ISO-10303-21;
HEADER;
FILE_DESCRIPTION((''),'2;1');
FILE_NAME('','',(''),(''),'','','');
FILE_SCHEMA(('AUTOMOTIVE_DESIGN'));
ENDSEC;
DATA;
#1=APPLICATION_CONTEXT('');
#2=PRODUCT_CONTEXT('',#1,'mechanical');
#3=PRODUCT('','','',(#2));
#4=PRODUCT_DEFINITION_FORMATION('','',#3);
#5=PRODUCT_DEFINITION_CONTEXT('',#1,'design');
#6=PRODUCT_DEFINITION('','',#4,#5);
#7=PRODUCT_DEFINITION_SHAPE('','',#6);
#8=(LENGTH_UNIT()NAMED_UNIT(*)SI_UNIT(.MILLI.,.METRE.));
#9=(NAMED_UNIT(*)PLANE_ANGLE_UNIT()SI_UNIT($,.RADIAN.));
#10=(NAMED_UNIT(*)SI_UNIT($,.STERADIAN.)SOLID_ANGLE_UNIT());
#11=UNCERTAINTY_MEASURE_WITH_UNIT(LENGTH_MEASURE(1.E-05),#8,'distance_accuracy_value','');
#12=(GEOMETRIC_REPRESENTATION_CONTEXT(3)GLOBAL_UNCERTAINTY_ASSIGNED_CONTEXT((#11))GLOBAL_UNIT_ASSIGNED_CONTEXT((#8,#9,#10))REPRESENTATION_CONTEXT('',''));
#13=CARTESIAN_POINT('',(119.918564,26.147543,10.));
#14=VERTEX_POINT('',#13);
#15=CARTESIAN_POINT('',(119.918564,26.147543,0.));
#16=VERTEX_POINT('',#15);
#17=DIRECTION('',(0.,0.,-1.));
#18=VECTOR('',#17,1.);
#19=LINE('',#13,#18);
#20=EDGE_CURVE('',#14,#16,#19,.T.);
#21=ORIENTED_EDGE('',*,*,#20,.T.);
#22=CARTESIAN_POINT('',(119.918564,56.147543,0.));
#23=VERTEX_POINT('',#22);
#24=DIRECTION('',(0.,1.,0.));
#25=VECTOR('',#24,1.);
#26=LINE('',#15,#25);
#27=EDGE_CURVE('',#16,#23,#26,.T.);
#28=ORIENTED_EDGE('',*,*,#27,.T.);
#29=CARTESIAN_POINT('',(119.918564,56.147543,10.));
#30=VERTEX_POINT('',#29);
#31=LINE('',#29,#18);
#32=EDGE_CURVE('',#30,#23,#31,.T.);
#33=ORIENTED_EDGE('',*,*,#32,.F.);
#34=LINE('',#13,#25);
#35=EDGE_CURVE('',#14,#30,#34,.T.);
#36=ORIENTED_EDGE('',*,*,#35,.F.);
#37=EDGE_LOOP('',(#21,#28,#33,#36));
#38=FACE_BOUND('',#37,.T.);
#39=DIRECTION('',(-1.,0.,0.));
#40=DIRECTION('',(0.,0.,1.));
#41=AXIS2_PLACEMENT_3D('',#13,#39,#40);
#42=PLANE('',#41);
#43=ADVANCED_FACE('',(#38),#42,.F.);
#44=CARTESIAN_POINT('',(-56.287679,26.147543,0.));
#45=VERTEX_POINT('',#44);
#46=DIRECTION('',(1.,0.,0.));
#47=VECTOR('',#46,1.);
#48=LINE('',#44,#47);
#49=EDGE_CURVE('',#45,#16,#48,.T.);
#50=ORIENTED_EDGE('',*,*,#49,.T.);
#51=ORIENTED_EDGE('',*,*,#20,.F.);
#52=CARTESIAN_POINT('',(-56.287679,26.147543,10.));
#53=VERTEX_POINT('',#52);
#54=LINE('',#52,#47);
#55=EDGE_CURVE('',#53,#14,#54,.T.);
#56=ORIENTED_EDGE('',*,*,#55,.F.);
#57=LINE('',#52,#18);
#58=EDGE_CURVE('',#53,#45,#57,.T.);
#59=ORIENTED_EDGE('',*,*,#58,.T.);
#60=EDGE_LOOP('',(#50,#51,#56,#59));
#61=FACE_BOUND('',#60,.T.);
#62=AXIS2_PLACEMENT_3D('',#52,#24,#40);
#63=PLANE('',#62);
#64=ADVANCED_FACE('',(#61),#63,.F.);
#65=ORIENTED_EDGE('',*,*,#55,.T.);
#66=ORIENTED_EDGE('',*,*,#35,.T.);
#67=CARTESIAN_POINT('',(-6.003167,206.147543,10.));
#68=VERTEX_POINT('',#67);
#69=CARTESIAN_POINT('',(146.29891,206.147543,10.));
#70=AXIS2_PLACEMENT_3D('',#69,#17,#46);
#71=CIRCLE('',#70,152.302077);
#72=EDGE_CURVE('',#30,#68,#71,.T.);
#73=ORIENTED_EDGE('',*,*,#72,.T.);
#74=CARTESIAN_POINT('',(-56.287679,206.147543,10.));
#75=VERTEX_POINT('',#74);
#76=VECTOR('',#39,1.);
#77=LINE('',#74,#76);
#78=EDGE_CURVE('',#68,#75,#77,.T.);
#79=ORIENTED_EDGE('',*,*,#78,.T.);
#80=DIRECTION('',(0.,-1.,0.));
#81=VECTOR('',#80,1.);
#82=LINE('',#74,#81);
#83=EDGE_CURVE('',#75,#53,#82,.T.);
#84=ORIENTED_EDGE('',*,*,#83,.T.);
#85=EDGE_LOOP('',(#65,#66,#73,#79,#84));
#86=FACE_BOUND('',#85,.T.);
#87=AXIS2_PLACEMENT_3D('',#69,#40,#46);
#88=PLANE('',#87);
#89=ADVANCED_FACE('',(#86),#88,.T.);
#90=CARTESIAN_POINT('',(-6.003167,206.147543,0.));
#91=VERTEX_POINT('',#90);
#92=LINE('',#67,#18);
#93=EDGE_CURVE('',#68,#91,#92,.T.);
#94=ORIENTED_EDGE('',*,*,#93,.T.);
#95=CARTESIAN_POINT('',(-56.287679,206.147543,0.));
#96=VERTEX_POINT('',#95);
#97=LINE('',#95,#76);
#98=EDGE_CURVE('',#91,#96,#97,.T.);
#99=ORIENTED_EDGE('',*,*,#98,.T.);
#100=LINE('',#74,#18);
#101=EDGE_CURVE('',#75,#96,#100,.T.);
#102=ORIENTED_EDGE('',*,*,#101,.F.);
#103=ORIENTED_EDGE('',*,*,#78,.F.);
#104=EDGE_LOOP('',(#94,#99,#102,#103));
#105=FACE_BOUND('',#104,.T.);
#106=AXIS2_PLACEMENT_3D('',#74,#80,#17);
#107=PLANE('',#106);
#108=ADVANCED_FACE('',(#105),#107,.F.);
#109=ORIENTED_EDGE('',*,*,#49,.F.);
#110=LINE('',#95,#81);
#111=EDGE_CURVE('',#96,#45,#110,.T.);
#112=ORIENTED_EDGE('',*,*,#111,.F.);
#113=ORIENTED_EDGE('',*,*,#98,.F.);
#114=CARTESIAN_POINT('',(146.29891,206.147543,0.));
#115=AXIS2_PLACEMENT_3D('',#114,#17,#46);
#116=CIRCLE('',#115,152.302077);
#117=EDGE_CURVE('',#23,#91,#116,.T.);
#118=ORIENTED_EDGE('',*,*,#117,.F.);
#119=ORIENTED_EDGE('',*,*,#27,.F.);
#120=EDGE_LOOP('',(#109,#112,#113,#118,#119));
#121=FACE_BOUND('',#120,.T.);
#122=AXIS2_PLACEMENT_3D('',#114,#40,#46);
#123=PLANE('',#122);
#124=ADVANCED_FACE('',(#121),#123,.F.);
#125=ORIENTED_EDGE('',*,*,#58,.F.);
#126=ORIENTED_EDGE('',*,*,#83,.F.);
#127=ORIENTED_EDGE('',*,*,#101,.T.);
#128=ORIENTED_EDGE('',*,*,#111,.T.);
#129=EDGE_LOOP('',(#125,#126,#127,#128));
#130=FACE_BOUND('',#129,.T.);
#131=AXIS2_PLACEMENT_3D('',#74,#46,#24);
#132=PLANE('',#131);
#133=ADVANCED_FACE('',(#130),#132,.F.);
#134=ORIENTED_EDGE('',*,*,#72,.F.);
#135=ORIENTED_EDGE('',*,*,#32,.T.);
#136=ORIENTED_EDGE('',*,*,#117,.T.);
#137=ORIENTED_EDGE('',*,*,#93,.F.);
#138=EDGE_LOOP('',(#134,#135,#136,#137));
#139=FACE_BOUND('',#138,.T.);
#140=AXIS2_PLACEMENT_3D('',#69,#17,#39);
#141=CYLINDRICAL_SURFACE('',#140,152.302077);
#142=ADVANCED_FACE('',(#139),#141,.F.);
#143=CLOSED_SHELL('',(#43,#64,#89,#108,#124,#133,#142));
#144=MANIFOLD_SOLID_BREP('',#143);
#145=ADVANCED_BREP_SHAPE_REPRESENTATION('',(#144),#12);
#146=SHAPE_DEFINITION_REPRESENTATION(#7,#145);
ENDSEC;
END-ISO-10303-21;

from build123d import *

# Parameters (mm, degrees)
SALIENTE_EXTRUIR1_DEPTH = 10


with BuildPart() as part:
    # Croquis1 → Saliente-Extruir1 (new body)
    with BuildSketch(Plane.XY):
        with BuildLine():
            Line((-56.28767918, 206.147542534), (-56.28767918, 26.147542534))
            Line((-56.28767918, 26.147542534), (119.918563855, 26.147542534))
            Line((119.918563855, 26.147542534), (119.918563855, 56.147542534))
            ThreePointArc((119.918563855, 56.147542534), (29.650497915, 108.223742781), (-6.003166727, 206.147542534))
            Line((-6.003166727, 206.147542534), (-56.28767918, 206.147542534))
        make_face()
    extrude(amount=SALIENTE_EXTRUIR1_DEPTH)


solid = part.part
